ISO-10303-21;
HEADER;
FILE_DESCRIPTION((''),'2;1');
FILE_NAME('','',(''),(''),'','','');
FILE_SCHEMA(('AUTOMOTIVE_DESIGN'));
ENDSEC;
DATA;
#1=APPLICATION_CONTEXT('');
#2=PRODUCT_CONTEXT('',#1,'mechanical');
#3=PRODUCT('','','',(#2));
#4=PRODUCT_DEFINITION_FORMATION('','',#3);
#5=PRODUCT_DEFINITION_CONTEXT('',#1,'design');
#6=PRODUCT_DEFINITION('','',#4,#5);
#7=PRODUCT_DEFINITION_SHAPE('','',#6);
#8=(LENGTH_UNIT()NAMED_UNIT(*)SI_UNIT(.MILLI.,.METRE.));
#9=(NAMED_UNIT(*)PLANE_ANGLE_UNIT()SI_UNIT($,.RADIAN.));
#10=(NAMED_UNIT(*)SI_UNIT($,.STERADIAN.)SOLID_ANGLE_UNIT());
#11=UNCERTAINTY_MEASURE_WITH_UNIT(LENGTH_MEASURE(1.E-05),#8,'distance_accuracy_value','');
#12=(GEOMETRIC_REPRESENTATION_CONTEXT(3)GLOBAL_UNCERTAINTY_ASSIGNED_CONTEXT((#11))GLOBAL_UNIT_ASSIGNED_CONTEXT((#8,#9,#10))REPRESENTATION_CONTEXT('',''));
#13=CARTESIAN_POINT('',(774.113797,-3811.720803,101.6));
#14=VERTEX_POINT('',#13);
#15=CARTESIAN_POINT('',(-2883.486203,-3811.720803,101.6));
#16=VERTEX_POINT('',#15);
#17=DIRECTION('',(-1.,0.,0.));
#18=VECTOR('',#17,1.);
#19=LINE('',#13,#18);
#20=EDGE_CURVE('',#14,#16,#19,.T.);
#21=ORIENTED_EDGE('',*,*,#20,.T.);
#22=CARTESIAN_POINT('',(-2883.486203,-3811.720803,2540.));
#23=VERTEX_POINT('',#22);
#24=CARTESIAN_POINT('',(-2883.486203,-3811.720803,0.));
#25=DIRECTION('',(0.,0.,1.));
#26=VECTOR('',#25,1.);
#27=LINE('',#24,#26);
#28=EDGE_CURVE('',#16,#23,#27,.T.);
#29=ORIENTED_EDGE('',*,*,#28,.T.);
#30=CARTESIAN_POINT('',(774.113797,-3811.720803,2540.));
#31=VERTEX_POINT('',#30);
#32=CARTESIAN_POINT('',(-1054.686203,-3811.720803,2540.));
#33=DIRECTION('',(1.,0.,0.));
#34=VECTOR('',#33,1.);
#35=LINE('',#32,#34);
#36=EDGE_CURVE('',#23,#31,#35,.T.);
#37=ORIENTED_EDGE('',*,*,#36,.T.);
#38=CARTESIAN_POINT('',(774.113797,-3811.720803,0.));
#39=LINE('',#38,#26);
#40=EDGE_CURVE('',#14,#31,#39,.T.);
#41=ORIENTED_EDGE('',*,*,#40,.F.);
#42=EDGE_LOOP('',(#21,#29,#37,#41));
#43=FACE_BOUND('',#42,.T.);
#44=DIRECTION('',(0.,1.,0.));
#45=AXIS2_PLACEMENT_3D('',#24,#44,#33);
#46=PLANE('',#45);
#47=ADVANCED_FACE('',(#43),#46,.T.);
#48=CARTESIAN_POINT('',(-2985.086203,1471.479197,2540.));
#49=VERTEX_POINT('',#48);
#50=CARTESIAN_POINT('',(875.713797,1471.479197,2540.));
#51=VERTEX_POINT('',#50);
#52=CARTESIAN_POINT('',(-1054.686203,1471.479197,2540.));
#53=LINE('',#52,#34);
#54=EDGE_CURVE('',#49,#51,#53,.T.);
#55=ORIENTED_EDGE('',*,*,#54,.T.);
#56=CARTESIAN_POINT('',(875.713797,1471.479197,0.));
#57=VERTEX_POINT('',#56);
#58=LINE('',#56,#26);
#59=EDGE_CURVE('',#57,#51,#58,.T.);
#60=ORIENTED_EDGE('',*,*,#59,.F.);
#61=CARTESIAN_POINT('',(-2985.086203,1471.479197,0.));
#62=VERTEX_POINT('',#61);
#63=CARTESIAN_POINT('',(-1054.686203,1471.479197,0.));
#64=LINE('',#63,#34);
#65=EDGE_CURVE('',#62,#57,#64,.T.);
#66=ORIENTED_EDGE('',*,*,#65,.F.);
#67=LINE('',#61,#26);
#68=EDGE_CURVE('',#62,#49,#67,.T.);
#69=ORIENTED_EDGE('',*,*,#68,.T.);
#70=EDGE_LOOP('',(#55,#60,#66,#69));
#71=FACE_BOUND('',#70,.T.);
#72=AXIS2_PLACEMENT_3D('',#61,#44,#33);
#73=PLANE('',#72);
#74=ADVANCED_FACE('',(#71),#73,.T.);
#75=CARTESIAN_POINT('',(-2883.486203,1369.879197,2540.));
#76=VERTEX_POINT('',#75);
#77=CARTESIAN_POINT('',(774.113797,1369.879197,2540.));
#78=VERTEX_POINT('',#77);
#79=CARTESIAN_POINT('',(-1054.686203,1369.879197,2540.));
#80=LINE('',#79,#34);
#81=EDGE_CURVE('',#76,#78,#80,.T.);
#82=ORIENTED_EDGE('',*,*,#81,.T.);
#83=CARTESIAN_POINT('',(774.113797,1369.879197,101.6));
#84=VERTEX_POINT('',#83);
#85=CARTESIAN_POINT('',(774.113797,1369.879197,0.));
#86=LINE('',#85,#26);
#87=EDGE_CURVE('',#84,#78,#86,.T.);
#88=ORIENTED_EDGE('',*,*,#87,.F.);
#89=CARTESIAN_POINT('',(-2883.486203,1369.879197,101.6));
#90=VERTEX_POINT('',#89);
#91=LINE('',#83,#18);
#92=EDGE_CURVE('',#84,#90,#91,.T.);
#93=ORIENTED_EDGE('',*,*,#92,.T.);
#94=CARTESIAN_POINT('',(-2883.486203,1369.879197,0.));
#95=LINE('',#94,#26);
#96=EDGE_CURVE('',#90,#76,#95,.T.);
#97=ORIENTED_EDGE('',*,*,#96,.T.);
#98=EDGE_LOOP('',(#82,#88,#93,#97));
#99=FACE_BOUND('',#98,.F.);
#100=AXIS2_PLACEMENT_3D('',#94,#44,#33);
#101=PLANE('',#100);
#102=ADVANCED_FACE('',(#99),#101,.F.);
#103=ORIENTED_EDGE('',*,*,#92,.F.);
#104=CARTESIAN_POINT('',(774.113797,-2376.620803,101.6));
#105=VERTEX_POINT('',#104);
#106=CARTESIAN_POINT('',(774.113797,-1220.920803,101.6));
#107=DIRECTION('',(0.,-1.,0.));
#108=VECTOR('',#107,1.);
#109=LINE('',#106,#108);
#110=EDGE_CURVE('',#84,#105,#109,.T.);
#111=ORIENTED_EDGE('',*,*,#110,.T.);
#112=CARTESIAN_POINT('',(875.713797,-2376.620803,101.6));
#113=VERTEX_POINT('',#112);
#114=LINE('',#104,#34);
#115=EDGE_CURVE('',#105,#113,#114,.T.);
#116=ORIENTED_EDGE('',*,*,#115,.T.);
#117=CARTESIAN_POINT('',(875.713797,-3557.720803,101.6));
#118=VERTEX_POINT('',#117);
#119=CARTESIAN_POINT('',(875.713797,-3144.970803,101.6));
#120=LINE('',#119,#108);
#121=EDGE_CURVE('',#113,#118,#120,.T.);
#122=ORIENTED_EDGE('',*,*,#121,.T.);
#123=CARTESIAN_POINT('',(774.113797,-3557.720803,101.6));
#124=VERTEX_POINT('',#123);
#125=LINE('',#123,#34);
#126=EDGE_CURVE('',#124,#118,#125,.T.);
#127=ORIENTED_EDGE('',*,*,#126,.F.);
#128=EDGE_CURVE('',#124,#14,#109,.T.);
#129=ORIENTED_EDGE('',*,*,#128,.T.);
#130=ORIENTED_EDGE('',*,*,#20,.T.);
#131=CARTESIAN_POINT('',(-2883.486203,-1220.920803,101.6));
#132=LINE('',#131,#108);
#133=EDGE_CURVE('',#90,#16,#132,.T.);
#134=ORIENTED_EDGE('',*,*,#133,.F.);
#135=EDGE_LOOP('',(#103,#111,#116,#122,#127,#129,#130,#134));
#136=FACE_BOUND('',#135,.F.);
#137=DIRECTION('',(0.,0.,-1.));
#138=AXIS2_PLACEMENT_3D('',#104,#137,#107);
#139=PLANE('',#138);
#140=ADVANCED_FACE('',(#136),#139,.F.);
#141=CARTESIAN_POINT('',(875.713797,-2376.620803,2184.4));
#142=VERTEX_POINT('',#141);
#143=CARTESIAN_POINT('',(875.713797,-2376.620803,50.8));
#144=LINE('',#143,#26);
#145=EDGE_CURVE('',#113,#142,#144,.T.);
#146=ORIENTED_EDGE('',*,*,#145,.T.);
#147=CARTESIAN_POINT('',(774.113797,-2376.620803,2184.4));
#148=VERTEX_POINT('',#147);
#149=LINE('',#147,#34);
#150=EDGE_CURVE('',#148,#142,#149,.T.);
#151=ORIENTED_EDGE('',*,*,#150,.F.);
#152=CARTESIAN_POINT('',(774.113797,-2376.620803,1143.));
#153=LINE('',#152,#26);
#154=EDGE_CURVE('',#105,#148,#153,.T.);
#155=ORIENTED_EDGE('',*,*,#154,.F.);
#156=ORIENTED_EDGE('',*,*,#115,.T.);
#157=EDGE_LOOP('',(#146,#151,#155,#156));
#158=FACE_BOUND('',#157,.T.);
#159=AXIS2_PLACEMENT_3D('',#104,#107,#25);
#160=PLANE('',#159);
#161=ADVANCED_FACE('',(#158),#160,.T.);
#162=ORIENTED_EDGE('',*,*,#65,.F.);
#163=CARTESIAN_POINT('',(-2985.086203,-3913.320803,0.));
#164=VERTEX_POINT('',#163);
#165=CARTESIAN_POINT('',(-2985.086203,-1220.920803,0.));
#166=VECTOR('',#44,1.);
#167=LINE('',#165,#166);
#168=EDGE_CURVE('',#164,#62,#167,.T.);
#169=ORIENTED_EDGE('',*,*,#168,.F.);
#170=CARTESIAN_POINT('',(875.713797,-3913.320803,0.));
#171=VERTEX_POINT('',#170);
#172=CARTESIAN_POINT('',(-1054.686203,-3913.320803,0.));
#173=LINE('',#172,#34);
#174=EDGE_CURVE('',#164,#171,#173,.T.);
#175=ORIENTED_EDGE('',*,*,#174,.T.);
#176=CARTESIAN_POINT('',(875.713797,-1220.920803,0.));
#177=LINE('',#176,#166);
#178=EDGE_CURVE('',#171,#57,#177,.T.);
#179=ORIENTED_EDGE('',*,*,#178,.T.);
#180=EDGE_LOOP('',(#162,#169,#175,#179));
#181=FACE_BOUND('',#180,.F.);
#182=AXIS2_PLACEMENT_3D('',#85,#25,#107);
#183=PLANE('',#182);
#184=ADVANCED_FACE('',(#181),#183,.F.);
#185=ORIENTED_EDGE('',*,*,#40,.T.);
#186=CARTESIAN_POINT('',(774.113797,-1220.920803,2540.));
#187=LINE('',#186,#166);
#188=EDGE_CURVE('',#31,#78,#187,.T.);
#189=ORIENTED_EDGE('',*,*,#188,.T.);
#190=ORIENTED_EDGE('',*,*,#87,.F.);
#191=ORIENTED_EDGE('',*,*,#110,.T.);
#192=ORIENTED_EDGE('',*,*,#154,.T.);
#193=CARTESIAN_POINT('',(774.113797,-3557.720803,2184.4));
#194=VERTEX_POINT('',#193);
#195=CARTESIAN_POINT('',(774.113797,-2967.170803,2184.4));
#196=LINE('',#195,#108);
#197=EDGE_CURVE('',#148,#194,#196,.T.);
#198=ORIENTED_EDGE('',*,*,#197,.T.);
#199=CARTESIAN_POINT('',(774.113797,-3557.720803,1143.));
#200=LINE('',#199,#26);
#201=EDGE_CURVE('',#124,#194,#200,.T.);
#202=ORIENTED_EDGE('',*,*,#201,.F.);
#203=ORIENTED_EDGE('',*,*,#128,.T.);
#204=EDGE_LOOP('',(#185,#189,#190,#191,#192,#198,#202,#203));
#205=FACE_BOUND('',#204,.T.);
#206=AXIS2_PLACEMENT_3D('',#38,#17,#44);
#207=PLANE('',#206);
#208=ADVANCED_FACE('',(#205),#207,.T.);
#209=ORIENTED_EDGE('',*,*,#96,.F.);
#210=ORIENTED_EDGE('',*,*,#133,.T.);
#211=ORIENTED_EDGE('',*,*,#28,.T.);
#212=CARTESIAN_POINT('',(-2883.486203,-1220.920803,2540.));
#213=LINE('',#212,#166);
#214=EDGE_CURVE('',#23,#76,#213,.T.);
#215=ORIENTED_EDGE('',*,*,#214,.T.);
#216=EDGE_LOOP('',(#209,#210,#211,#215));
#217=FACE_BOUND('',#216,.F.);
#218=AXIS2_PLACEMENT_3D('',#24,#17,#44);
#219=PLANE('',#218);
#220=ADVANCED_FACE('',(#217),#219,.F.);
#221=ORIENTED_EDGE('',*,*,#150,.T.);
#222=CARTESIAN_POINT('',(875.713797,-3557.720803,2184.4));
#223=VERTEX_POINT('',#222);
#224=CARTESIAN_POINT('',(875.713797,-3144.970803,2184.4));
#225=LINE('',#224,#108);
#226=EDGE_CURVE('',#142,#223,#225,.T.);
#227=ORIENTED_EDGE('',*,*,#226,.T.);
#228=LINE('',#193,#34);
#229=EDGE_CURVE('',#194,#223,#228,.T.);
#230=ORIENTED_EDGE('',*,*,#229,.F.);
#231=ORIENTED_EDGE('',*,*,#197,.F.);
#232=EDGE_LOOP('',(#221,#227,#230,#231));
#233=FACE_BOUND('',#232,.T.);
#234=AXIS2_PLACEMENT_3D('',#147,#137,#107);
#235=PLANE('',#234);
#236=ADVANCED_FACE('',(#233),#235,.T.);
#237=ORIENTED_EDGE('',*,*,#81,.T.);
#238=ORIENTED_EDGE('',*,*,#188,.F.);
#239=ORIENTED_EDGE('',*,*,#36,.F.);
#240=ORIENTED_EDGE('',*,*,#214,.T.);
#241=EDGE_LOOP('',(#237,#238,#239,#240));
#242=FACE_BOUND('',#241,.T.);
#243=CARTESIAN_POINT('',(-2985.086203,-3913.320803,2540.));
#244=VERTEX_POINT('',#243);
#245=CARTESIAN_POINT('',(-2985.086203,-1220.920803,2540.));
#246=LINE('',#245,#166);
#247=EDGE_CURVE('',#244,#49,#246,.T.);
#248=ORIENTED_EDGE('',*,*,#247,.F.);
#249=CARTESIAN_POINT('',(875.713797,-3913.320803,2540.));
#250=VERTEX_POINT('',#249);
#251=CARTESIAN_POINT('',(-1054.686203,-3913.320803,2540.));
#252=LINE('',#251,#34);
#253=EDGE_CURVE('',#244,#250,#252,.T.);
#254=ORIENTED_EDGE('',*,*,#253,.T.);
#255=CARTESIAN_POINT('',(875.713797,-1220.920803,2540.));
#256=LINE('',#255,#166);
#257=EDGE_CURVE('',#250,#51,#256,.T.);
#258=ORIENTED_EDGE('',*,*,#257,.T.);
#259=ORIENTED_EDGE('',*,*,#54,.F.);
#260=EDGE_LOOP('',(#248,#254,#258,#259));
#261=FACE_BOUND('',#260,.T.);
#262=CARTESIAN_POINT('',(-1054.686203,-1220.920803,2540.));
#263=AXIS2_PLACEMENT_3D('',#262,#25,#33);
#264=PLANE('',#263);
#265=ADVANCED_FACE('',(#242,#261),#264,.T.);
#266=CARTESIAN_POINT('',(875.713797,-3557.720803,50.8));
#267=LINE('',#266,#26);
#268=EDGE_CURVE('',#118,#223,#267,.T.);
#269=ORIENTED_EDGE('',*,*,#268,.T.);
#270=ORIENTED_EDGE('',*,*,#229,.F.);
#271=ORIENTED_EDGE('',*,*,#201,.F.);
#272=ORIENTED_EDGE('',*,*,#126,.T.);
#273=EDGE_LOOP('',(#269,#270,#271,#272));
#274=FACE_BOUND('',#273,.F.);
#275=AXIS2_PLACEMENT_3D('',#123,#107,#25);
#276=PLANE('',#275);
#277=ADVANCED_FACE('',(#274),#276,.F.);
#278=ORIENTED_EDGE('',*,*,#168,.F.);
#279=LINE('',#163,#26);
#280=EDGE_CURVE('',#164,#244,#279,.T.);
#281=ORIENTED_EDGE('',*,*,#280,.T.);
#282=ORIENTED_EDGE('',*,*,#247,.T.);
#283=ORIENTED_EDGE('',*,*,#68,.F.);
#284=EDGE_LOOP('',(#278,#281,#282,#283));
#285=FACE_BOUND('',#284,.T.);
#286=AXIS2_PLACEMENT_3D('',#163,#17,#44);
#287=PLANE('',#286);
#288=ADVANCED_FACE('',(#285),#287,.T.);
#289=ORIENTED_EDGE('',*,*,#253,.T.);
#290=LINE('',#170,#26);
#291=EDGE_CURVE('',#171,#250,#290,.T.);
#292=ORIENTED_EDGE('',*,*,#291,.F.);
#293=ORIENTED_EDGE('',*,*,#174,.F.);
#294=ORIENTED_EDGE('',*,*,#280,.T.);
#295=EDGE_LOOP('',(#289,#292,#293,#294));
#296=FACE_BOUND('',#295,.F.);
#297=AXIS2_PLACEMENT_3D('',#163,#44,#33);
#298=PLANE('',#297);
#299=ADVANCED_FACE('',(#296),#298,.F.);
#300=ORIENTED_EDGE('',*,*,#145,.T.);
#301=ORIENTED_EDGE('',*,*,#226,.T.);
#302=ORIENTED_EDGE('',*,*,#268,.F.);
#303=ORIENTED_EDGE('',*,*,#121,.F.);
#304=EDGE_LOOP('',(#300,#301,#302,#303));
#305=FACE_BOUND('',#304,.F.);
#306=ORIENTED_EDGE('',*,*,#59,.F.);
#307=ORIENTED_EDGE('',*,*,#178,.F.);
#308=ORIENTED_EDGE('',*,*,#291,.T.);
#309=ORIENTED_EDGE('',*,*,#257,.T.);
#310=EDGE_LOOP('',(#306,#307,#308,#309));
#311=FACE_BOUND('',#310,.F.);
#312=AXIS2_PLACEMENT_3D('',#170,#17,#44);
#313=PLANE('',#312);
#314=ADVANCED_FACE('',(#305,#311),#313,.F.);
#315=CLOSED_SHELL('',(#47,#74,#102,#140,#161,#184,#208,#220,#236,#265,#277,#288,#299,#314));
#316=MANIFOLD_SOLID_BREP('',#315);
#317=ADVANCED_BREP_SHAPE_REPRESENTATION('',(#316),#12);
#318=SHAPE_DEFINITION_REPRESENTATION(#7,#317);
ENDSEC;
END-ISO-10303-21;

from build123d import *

# Parameters (mm, degrees)
F0_W     = 3860.8
F0_H     = 5384.8
F0_W_2   = 3657.6
F0_H_2   = 5181.6
F1_DEPTH = 2540
F2_W     = 5181.6
F2_H     = 101.6
F3_DEPTH = 3657.6
F4_W     = 1181.1
F4_H     = 2082.8
F5_DEPTH = 101.601


with BuildPart() as f1:
    # F0 (on Top) → F1 (new body)
    with BuildSketch(Plane.XY):
        with Locations((-1054.686203, -1220.920803)):
            Rectangle(F0_W, F0_H)
        with Locations((-1054.686203, -1220.920803)):
            Rectangle(F0_W_2, F0_H_2, mode=Mode.SUBTRACT)
    extrude(amount=F1_DEPTH)

    # F2 (on face) → F3 (join, through all)
    with BuildSketch(Plane(origin=(774.113797, 0, 0), x_dir=(0, -1, 0), z_dir=(-1, 0, 0))):
        with Locations((1220.920803, 50.8)):
            Rectangle(F2_W, F2_H)
    extrude(amount=F3_DEPTH)

    # F4 (on face) → F5 (cut, through all)
    with BuildSketch(Plane(origin=(774.113797, 0, 0), x_dir=(0, -1, 0), z_dir=(-1, 0, 0))):
        with Locations((2967.170803, 1143)):
            Rectangle(F4_W, F4_H)
    extrude(amount=-F5_DEPTH, mode=Mode.SUBTRACT)


solid = f1.part
